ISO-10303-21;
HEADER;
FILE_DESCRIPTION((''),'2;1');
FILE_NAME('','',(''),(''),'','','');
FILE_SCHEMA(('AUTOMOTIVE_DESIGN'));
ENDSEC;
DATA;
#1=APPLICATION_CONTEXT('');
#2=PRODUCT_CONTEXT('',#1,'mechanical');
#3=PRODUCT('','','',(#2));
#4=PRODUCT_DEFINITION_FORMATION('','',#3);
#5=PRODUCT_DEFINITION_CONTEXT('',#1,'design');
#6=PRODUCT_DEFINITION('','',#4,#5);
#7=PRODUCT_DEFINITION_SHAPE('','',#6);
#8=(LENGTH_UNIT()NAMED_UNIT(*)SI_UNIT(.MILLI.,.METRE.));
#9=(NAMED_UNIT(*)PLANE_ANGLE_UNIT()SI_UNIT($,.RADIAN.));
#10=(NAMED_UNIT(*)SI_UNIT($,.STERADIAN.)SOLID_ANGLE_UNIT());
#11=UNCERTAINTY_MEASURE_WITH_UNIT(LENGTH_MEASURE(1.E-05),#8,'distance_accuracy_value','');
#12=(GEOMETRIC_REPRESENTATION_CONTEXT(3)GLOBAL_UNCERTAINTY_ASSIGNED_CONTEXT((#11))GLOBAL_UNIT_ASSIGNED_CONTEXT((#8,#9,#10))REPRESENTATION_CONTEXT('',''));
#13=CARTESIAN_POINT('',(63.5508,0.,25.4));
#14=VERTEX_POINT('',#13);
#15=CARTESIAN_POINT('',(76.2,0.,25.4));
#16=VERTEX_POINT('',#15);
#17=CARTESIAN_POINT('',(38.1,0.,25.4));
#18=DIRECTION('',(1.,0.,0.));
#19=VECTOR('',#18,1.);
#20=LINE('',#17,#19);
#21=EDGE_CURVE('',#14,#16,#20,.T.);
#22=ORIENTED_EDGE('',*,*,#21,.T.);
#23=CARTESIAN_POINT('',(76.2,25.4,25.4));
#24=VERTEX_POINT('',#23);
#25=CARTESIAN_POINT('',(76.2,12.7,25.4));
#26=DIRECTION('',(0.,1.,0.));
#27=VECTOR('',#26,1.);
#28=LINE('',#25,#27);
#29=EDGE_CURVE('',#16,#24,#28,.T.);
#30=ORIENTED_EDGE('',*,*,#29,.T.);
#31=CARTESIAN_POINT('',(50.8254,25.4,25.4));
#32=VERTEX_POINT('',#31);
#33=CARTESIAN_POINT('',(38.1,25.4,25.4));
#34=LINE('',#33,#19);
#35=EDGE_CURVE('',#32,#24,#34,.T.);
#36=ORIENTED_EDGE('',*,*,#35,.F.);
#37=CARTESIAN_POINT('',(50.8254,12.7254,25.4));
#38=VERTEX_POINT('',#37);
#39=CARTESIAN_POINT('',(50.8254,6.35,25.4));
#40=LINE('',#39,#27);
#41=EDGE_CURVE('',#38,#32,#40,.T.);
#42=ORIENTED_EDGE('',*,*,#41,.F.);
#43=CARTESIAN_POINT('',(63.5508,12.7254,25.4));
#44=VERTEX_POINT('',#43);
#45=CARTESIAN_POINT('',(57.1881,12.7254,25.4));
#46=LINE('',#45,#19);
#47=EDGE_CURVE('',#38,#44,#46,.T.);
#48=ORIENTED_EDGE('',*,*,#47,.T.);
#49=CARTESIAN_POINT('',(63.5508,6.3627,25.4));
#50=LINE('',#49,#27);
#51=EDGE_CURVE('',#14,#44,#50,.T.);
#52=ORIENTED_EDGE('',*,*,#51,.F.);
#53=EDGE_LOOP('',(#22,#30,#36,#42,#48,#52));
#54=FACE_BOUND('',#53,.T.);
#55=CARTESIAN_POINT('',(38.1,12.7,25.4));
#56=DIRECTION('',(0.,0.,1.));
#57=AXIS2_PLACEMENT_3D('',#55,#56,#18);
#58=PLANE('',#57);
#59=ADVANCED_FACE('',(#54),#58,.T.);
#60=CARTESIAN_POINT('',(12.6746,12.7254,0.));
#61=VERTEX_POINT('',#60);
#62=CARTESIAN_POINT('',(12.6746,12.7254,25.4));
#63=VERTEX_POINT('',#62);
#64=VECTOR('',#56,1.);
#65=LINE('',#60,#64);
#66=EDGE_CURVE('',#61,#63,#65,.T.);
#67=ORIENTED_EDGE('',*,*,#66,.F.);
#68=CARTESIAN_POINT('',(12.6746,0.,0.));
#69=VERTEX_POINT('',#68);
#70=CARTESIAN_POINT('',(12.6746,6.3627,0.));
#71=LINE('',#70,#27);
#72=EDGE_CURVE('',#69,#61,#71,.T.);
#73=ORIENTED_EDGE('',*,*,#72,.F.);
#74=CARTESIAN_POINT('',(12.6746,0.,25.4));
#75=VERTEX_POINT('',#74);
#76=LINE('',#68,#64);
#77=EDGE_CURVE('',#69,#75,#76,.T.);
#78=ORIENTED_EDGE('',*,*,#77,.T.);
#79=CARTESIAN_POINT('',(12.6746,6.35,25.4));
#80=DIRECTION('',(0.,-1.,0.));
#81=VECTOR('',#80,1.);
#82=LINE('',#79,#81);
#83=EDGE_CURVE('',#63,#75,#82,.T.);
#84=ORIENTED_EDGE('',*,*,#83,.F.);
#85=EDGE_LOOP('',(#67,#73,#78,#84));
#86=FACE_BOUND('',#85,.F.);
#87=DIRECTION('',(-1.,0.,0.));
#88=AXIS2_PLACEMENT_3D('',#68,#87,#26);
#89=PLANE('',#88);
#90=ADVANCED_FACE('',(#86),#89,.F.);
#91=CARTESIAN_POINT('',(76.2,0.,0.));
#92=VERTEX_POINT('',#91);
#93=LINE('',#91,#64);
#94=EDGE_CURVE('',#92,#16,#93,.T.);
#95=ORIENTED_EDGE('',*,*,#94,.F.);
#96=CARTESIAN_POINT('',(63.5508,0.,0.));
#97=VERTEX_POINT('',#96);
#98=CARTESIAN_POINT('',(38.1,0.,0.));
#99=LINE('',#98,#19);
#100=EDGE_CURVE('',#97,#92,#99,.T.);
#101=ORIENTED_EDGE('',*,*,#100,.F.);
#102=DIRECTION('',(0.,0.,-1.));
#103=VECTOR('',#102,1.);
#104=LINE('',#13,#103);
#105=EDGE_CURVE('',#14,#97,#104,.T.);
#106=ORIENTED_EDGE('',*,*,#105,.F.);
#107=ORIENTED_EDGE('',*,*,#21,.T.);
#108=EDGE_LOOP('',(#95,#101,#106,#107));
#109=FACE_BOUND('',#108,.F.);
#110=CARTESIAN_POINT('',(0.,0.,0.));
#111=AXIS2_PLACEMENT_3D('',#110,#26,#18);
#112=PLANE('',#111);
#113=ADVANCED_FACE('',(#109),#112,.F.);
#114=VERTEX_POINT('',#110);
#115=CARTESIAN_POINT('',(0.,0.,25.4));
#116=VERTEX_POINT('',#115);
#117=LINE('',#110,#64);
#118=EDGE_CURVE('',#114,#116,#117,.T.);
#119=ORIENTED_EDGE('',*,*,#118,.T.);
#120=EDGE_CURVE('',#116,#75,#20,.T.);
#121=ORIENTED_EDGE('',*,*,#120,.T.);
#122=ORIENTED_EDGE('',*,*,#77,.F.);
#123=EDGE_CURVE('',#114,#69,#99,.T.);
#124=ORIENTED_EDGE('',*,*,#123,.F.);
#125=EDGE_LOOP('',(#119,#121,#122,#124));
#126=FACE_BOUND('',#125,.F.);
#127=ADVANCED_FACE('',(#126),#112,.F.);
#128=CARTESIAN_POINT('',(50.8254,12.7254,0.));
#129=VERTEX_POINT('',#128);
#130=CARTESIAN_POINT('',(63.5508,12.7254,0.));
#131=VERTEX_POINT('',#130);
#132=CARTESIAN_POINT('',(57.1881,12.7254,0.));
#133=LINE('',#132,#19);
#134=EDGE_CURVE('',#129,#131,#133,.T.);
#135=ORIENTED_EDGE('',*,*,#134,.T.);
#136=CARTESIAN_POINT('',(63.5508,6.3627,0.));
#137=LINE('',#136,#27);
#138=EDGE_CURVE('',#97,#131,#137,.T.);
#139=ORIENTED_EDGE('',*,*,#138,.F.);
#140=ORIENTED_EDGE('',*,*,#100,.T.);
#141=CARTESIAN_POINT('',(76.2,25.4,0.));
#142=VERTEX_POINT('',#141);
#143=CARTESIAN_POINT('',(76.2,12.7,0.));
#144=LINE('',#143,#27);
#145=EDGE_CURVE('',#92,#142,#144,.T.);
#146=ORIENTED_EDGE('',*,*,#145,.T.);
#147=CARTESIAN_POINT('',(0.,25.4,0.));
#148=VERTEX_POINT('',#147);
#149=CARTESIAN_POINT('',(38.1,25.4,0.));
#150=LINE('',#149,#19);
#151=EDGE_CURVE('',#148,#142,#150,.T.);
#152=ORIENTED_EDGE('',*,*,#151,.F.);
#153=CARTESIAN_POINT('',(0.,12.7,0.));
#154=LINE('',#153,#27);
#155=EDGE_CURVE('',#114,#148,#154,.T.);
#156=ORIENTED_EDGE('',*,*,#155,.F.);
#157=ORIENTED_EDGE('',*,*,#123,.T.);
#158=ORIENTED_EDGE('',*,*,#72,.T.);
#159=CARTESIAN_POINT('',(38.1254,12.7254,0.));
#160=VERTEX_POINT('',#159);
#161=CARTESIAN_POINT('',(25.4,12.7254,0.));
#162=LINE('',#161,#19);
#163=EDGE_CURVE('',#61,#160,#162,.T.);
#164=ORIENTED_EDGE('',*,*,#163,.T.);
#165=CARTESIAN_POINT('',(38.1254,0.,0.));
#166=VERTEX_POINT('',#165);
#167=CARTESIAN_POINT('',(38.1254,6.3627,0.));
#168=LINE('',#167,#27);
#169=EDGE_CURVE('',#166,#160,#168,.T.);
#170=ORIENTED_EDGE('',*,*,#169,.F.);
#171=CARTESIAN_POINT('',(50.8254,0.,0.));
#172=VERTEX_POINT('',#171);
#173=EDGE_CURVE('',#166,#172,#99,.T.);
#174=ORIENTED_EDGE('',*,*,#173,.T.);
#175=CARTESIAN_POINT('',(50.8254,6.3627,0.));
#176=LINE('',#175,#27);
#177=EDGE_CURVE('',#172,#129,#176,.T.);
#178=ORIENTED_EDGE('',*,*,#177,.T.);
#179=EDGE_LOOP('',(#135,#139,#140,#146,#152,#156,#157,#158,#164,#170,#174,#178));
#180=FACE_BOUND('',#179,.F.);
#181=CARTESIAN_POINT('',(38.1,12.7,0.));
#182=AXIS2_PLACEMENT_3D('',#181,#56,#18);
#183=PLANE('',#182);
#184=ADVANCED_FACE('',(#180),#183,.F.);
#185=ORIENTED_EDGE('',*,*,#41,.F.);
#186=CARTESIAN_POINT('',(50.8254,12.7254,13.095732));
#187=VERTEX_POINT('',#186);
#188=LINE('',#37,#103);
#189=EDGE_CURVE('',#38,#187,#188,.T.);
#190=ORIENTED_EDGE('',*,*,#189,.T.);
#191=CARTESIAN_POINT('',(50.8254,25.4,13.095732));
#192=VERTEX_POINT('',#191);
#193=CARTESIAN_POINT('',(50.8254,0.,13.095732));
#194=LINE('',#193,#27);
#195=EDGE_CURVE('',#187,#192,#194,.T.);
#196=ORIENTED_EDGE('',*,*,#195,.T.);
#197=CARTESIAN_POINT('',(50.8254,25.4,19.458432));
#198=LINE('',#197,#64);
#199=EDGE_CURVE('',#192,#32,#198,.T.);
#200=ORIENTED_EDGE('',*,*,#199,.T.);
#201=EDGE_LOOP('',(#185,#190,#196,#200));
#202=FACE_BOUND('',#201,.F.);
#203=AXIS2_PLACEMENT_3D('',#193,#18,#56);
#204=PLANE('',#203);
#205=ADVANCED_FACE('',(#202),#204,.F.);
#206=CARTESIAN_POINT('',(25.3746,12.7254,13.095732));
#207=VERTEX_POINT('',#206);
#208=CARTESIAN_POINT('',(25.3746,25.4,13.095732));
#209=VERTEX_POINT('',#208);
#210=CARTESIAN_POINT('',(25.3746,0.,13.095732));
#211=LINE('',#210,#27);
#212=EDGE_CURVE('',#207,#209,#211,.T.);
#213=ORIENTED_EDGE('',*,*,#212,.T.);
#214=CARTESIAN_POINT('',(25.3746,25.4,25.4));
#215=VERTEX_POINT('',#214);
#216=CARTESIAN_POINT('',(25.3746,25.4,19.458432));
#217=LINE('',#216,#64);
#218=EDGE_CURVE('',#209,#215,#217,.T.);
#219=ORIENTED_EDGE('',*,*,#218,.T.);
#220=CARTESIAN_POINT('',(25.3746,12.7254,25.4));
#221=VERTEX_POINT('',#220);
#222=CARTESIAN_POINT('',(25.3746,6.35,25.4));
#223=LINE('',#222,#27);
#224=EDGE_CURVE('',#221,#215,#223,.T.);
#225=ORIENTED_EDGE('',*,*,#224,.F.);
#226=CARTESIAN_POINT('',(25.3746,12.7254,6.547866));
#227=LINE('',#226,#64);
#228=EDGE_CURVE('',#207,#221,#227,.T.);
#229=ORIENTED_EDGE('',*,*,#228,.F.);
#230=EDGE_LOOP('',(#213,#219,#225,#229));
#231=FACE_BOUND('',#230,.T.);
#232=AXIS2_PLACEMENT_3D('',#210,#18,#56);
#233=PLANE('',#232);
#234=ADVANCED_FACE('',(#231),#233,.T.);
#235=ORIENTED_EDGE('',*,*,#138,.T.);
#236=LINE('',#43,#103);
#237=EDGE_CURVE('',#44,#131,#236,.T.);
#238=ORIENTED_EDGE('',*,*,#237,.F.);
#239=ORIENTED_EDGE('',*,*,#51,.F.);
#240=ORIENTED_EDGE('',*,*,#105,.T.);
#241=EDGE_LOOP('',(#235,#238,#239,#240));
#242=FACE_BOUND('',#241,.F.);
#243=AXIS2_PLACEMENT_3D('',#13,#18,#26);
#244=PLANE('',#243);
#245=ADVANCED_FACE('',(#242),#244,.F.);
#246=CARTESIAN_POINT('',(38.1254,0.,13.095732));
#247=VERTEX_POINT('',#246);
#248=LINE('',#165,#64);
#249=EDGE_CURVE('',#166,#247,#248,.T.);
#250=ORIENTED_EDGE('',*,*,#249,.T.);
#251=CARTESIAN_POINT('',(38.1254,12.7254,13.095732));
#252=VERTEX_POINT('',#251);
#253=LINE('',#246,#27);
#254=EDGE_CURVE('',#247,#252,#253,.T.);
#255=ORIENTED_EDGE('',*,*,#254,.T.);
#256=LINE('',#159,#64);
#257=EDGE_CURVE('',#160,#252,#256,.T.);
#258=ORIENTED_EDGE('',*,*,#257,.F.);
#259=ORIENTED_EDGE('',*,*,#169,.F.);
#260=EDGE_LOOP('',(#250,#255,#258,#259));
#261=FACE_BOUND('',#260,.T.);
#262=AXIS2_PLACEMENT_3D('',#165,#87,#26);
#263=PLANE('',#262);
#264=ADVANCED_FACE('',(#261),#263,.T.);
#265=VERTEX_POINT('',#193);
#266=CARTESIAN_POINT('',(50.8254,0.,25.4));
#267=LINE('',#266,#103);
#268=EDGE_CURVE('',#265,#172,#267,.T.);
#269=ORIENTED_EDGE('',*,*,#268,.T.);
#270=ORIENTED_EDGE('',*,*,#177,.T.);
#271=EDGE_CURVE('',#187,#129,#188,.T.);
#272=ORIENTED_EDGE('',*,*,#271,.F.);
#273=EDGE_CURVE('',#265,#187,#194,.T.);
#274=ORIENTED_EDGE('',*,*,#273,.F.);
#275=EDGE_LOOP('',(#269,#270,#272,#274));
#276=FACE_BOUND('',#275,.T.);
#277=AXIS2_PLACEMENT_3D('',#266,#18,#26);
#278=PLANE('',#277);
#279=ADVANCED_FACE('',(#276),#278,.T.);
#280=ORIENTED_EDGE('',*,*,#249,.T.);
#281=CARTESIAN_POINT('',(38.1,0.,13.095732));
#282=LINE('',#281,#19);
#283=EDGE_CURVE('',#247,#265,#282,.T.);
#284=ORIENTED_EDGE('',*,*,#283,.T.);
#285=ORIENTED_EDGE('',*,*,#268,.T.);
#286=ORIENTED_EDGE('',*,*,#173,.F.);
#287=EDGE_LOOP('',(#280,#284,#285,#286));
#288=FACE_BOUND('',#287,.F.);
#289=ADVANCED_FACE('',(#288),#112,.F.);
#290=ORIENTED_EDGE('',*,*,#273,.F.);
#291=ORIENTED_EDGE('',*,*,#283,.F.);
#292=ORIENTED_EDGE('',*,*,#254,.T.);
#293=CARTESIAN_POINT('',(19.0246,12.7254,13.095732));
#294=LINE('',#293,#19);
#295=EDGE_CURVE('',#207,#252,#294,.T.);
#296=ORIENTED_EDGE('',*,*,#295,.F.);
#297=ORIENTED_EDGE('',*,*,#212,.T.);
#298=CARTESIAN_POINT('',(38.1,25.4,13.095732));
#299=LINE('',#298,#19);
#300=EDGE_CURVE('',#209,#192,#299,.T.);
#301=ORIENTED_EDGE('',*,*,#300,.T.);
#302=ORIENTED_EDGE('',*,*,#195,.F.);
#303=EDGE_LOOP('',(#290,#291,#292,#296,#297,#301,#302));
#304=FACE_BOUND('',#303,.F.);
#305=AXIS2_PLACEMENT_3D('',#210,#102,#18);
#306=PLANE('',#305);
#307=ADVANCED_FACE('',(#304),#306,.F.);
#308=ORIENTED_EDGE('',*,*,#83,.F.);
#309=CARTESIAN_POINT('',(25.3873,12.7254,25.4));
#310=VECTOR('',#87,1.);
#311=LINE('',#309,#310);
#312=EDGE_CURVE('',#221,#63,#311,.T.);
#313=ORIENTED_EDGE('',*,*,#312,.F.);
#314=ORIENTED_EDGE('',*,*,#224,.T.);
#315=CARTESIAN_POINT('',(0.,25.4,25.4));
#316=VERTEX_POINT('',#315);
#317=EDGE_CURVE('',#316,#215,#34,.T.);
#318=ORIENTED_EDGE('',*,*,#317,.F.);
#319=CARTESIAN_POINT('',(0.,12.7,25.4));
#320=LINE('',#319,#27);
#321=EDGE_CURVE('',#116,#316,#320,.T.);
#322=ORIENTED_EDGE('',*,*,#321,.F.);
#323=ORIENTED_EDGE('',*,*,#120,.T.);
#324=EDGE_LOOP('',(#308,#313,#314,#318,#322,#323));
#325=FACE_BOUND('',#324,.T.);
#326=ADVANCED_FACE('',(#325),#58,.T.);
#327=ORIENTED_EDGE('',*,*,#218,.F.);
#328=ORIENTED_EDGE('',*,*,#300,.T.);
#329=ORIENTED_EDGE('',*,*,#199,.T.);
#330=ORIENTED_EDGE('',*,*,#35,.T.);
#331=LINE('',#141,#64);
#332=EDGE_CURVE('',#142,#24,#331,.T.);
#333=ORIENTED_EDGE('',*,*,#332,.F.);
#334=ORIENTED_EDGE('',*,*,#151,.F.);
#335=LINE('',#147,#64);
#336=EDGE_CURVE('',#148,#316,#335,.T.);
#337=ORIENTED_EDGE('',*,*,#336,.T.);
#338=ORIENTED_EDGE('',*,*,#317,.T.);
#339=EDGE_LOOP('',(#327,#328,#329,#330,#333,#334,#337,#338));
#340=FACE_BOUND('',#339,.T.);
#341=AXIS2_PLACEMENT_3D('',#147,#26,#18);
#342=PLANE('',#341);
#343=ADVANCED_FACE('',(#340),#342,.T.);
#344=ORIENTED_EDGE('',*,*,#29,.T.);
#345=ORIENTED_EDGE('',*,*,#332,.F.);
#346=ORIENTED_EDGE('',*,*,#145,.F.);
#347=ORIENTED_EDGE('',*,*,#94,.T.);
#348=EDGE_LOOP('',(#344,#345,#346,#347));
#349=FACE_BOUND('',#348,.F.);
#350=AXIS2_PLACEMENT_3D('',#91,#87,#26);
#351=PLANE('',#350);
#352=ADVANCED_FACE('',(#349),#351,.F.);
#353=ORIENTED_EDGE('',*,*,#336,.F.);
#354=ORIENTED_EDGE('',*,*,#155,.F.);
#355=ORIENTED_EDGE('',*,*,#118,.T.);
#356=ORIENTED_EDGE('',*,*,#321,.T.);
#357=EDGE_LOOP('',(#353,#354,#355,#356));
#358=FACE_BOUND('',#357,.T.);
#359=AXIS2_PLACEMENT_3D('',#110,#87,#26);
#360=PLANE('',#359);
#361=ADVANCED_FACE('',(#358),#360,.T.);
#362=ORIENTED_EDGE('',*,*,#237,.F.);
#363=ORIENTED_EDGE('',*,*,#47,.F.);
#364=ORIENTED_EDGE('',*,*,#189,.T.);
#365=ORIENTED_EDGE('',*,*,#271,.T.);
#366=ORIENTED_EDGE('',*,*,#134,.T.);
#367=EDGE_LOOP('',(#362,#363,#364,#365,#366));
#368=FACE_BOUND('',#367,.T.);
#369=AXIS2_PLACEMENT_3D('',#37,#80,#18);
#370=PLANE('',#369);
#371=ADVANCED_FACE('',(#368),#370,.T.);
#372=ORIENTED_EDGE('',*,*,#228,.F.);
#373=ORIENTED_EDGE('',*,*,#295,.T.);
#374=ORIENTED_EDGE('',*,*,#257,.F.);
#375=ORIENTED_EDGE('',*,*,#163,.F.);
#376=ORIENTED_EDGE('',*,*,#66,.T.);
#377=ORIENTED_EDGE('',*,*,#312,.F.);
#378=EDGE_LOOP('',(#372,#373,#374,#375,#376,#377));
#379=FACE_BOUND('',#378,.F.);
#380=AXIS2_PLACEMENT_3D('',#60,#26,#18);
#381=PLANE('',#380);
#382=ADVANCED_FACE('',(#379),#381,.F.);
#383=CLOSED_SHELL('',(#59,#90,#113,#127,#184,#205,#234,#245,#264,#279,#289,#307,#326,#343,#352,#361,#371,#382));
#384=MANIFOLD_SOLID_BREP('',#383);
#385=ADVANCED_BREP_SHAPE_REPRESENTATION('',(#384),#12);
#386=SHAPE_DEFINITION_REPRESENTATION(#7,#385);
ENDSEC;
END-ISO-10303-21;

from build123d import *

# Parameters (mm, degrees)
F0_W     = 76.2
F0_H     = 25.4
F1_DEPTH = 25.4
F2_W     = 25.4508
F2_H     = 12.7254
F3_DEPTH = 25.4
F4_W     = 12.7254
F4_H     = 12.7254
F5_DEPTH = 25.4
F6_W     = 25.4508
F6_H     = 12.7254
F7_DEPTH = 25.654


with BuildPart() as f1:
    # F0 (on Top) → F1 (new body)
    with BuildSketch(Plane.XY):
        with Locations((38.1, 12.7)):
            Rectangle(F0_W, F0_H)
    extrude(amount=F1_DEPTH)

    # F2 (on Front) → F3 (cut)
    with BuildSketch(Plane.XZ):
        with Locations((38.1, 19.458432)):
            Rectangle(F2_W, F2_H)
    extrude(amount=-F3_DEPTH, mode=Mode.SUBTRACT)

    # F4 (on face) → F5 (cut)
    with BuildSketch(Plane.XY.offset(25.4)):
        with Locations((57.1881, 6.3627)):
            Rectangle(F4_W, F4_H)
    extrude(amount=-F5_DEPTH, mode=Mode.SUBTRACT)

    # F6 (on Top) → F7 (cut)
    with BuildSketch(Plane.XY):
        with Locations((25.4, 6.3627)):
            Rectangle(F6_W, F6_H)
    extrude(amount=F7_DEPTH, mode=Mode.SUBTRACT)


solid = f1.part
